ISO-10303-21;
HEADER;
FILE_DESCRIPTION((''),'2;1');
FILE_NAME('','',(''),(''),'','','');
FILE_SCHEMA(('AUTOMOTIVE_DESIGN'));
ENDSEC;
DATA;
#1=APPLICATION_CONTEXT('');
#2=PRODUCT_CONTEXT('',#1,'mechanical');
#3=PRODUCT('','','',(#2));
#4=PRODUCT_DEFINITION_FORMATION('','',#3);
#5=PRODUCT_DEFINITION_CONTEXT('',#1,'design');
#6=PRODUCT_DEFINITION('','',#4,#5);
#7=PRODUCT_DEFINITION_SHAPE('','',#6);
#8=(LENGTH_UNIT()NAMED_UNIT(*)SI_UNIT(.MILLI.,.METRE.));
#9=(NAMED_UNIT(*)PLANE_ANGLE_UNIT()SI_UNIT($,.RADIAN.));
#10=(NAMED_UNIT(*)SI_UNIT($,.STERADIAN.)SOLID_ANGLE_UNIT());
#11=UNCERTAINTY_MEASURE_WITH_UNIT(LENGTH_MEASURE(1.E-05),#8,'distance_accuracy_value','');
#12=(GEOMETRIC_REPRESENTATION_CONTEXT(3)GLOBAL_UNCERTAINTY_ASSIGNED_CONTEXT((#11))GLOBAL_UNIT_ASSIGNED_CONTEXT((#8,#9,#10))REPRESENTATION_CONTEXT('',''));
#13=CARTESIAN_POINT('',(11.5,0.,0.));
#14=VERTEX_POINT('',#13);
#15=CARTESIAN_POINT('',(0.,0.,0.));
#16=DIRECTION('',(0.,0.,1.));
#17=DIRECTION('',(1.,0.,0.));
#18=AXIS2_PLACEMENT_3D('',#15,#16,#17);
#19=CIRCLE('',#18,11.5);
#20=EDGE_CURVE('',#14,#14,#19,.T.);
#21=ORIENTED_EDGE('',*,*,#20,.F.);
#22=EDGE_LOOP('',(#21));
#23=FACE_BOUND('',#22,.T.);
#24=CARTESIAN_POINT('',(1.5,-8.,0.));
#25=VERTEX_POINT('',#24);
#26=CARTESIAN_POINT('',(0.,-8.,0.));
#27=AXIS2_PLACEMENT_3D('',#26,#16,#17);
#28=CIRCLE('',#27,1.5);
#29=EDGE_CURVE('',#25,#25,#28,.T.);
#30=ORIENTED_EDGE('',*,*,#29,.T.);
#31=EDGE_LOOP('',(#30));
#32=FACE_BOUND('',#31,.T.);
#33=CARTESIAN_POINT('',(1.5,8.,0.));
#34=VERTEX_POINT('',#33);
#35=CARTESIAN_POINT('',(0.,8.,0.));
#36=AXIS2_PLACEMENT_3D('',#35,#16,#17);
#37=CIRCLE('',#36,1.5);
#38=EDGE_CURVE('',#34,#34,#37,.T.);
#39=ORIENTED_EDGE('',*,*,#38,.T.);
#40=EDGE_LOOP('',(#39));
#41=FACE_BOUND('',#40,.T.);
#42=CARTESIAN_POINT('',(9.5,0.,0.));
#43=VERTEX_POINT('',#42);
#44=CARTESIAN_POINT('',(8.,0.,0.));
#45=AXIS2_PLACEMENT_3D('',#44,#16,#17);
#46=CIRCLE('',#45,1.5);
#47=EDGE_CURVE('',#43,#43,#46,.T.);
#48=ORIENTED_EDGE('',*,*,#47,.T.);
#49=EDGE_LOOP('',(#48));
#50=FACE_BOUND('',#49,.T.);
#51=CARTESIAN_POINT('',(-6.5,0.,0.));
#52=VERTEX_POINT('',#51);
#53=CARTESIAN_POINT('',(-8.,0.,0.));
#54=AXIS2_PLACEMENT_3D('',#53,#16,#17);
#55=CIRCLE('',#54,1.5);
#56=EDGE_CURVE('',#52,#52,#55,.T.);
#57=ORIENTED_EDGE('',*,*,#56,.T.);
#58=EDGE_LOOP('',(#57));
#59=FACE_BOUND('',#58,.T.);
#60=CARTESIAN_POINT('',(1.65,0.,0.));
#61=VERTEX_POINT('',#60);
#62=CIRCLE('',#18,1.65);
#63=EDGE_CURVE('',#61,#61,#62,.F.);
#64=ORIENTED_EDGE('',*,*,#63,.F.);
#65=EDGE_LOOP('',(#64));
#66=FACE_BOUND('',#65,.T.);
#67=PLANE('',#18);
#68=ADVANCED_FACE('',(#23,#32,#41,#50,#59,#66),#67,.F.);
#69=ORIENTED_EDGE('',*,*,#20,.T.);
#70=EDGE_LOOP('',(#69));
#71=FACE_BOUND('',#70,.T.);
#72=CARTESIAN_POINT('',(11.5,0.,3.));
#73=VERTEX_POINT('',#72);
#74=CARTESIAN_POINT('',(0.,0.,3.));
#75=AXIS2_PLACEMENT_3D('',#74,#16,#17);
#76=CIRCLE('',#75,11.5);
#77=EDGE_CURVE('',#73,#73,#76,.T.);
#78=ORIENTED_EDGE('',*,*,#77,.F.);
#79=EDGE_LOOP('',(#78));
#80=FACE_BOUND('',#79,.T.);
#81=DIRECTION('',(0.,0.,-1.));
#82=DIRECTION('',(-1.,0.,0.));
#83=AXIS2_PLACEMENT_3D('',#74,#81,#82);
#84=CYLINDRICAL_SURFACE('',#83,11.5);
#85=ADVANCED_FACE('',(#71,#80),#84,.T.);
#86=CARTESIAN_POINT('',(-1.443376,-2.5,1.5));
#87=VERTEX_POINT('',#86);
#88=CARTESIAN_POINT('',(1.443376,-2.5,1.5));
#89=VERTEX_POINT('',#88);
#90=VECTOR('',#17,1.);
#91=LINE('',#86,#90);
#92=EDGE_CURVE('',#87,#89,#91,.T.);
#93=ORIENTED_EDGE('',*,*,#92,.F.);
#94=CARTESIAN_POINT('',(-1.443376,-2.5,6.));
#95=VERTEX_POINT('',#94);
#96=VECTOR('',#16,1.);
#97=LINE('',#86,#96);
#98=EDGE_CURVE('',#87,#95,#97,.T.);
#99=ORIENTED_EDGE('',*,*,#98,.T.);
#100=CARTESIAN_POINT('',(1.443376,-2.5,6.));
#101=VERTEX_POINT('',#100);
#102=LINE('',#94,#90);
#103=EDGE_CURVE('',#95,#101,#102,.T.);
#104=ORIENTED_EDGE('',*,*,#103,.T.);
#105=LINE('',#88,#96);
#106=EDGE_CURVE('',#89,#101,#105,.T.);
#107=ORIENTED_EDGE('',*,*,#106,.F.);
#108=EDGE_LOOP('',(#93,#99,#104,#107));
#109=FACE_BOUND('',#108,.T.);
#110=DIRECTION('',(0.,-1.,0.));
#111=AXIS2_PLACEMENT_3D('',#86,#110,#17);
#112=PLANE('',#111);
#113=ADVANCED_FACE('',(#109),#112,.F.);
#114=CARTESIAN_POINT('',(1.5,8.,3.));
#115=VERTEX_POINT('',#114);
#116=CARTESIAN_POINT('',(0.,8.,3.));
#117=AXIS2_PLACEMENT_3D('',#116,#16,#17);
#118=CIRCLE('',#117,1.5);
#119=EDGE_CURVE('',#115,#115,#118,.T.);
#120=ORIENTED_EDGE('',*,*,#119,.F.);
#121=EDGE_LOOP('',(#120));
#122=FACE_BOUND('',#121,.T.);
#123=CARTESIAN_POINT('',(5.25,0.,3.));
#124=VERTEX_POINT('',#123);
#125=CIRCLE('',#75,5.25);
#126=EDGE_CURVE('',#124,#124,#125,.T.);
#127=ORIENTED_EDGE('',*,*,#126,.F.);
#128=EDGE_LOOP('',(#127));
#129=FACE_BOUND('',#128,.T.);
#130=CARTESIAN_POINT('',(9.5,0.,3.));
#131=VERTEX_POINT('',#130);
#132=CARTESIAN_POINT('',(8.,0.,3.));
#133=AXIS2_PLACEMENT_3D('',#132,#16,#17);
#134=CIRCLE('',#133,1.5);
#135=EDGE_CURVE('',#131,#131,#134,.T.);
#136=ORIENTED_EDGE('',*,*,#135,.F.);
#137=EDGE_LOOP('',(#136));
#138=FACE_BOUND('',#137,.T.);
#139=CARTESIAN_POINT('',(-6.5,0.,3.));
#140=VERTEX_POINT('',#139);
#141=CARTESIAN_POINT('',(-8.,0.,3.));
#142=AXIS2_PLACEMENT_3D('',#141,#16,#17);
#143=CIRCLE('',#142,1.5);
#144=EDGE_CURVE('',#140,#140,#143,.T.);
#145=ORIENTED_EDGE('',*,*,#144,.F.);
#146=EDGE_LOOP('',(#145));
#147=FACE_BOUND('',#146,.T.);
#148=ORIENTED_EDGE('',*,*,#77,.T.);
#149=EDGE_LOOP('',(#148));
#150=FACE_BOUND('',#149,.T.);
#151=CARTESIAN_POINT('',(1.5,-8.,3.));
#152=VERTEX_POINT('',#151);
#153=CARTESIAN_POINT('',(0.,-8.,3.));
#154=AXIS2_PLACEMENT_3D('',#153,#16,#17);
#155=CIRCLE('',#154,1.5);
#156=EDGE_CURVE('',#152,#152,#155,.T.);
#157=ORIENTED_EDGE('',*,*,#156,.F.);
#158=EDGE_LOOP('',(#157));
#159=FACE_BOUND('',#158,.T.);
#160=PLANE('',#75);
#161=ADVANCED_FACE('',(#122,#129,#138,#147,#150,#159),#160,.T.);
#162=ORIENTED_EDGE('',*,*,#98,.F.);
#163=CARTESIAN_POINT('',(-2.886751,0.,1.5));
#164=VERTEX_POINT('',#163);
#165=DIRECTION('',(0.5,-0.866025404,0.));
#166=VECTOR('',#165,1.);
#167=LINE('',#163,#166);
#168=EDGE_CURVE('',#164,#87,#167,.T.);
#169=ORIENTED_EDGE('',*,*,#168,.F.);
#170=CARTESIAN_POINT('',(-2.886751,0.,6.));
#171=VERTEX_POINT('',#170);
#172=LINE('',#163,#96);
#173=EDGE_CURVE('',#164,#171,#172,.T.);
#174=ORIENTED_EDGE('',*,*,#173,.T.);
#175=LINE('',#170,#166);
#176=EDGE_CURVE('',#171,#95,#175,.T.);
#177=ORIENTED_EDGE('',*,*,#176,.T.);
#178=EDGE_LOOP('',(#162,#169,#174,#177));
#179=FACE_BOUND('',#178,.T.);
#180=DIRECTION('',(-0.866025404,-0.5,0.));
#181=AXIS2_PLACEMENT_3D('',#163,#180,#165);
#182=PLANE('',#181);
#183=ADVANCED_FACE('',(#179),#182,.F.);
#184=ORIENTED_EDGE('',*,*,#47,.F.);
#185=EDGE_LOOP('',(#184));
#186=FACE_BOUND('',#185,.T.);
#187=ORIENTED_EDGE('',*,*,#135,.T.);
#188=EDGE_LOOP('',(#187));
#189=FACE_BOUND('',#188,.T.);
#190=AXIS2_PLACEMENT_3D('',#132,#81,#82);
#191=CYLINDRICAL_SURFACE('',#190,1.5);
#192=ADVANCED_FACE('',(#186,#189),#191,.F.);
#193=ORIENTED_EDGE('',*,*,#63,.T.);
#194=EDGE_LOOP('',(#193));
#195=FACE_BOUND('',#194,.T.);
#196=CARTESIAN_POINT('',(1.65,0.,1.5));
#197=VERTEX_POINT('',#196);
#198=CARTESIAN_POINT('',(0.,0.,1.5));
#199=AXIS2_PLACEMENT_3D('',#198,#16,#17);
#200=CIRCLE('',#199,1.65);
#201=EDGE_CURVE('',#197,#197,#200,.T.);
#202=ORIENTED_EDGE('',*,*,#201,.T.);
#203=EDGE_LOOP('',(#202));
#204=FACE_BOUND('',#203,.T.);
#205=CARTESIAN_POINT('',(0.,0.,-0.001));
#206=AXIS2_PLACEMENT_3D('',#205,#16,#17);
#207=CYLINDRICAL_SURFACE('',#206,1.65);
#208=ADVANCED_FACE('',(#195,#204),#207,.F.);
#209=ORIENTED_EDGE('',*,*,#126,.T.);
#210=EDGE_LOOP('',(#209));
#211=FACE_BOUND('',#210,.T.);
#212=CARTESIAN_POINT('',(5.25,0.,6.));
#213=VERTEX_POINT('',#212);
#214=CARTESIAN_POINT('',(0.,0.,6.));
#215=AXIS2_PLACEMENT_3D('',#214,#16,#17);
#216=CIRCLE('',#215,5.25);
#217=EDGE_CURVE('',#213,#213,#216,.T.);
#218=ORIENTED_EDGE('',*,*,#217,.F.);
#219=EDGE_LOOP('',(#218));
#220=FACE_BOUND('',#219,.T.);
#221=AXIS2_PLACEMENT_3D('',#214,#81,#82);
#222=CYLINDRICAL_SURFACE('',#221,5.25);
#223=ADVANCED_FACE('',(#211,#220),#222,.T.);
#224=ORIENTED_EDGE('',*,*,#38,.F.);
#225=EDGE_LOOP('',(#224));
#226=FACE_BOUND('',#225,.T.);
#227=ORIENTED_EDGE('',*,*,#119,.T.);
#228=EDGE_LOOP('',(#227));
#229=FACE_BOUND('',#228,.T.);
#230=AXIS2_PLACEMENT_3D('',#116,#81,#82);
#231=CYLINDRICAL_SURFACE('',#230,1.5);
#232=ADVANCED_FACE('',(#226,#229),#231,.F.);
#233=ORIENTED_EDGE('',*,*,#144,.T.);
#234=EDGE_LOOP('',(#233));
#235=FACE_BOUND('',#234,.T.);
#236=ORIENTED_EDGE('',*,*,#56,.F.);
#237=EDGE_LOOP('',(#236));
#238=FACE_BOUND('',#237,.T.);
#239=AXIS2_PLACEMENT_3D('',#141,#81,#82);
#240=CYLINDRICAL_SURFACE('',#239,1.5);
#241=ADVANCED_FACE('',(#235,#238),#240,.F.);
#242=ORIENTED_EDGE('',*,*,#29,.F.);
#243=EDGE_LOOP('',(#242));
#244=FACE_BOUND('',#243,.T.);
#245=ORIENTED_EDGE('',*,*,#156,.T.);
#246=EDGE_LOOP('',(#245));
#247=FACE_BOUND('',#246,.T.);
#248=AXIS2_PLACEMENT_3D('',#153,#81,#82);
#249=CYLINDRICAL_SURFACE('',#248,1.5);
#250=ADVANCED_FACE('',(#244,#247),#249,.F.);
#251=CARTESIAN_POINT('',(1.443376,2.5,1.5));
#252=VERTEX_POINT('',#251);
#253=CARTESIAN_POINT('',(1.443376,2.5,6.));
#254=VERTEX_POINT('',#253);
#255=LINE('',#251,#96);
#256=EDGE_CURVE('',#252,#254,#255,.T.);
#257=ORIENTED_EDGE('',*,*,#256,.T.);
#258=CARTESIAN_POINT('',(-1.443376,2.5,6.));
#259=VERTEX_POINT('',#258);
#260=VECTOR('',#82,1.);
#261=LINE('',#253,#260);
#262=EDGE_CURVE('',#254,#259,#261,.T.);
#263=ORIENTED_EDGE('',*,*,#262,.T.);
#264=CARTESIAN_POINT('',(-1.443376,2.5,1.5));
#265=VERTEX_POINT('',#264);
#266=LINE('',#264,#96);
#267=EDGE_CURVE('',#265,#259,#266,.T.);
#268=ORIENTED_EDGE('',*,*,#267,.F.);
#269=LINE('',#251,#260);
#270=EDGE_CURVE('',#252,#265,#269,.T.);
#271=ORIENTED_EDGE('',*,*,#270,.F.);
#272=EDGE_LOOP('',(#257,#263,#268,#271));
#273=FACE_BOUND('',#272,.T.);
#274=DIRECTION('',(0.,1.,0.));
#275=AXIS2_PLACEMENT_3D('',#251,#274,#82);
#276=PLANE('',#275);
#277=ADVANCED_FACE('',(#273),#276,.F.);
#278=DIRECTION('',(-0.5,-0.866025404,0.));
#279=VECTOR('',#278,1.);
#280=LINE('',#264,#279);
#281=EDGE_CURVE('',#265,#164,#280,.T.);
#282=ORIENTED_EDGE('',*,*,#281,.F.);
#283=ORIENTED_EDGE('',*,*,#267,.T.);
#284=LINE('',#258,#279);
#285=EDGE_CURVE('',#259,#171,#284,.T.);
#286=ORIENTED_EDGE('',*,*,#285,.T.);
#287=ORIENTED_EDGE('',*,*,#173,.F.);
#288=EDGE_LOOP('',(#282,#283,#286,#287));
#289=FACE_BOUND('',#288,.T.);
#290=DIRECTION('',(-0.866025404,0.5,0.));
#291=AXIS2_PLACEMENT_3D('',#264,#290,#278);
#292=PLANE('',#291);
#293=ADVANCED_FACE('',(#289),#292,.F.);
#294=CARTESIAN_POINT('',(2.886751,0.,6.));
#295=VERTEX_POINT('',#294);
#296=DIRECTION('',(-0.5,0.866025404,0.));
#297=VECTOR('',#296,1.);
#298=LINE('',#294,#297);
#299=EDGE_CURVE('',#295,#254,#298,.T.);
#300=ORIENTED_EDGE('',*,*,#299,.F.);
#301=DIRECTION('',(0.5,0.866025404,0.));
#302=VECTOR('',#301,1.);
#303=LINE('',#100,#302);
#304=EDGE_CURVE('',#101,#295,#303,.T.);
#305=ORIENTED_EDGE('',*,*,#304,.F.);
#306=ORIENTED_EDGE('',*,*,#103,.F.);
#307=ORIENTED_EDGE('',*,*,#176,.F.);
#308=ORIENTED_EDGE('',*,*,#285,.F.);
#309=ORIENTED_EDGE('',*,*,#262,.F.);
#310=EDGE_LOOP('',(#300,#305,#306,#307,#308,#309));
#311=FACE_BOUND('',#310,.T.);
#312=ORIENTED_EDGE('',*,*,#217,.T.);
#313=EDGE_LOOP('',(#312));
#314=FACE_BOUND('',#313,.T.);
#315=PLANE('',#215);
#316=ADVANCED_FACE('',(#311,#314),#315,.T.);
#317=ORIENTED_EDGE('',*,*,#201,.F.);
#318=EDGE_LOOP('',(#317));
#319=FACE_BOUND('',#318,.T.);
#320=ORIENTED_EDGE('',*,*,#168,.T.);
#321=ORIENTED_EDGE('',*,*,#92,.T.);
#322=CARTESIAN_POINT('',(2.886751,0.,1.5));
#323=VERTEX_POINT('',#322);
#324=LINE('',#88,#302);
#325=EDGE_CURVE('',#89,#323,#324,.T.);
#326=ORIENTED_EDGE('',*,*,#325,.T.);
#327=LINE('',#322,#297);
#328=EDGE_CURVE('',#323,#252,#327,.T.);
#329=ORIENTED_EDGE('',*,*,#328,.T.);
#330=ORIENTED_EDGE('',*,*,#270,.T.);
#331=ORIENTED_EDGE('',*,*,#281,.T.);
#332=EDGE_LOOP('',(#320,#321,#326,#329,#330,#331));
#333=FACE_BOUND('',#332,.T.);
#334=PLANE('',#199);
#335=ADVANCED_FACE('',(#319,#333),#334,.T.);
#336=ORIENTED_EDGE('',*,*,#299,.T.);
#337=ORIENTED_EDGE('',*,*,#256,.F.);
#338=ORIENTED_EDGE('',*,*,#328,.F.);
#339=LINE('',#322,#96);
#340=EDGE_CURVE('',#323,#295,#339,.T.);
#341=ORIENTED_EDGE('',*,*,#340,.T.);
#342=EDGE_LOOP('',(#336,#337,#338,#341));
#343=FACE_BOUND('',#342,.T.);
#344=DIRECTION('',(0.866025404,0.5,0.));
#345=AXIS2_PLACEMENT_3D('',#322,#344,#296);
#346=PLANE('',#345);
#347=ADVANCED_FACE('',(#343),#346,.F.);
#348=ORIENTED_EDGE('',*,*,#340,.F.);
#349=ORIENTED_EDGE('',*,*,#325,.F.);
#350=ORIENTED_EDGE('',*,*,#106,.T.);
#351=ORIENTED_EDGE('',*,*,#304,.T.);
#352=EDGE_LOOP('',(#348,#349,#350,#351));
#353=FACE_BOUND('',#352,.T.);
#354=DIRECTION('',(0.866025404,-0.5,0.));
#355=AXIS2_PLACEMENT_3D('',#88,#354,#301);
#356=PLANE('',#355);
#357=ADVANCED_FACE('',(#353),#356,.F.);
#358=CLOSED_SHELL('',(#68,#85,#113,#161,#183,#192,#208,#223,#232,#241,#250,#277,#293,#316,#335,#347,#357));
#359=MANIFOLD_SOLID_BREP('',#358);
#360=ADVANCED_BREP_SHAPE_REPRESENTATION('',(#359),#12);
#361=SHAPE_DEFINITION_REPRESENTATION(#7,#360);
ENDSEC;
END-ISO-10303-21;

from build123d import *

# Parameters (mm, degrees)
SKETCH_1_R          = 11.5
SKETCH_1_R_2        = 1.5
EXTRUDE_1_DEPTH     = 3
SKETCH_2_R          = 5.25
EXTRUDE_2_DEPTH     = 3
CUT_EXTRUDE_1_DEPTH = 4.5
CUT_EXTRUDE_2_REACH = 3.5
SKETCH_4_R          = 1.65


with BuildPart() as part:
    # 草圖1 → 填料-伸長1 (new body)
    with BuildSketch(Plane.XY):
        Circle(SKETCH_1_R)
        with Locations((0, 8)):
            Circle(SKETCH_1_R_2, mode=Mode.SUBTRACT)
        with Locations((8, 0)):
            Circle(SKETCH_1_R_2, mode=Mode.SUBTRACT)
        with Locations((0, -8)):
            Circle(SKETCH_1_R_2, mode=Mode.SUBTRACT)
        with Locations((-8, 0)):
            Circle(SKETCH_1_R_2, mode=Mode.SUBTRACT)
    extrude(amount=EXTRUDE_1_DEPTH)

    # 草圖2 → 填料-伸長2 (add)
    with BuildSketch(Plane.XY.offset(3)):
        Circle(SKETCH_2_R)
    extrude(amount=EXTRUDE_2_DEPTH)

    # 草圖3 → 除料-伸長1 (cut)
    with BuildSketch(Plane.XY.offset(6)):
        Polygon((2.886751346, 0), (1.443375673, 2.5), (-1.443375673, 2.5), (-2.886751346, 0), (-1.443375673, -2.5), (1.443375673, -2.5), align=None)
    extrude(amount=-CUT_EXTRUDE_1_DEPTH, mode=Mode.SUBTRACT)

    # 草圖4 → 除料-伸長2 (cut, up to next)
    with BuildSketch(Plane.XY.offset(1.5), mode=Mode.PRIVATE) as cut_extrude_2_sk1:
        Circle(SKETCH_4_R)
    cut_extrude_2_tool1 = extrude(cut_extrude_2_sk1.sketch, amount=-CUT_EXTRUDE_2_REACH, mode=Mode.PRIVATE) & part.part
    add(cut_extrude_2_tool1.solids().sort_by_distance((0, 0, 1.5))[0], mode=Mode.SUBTRACT)


solid = part.part
